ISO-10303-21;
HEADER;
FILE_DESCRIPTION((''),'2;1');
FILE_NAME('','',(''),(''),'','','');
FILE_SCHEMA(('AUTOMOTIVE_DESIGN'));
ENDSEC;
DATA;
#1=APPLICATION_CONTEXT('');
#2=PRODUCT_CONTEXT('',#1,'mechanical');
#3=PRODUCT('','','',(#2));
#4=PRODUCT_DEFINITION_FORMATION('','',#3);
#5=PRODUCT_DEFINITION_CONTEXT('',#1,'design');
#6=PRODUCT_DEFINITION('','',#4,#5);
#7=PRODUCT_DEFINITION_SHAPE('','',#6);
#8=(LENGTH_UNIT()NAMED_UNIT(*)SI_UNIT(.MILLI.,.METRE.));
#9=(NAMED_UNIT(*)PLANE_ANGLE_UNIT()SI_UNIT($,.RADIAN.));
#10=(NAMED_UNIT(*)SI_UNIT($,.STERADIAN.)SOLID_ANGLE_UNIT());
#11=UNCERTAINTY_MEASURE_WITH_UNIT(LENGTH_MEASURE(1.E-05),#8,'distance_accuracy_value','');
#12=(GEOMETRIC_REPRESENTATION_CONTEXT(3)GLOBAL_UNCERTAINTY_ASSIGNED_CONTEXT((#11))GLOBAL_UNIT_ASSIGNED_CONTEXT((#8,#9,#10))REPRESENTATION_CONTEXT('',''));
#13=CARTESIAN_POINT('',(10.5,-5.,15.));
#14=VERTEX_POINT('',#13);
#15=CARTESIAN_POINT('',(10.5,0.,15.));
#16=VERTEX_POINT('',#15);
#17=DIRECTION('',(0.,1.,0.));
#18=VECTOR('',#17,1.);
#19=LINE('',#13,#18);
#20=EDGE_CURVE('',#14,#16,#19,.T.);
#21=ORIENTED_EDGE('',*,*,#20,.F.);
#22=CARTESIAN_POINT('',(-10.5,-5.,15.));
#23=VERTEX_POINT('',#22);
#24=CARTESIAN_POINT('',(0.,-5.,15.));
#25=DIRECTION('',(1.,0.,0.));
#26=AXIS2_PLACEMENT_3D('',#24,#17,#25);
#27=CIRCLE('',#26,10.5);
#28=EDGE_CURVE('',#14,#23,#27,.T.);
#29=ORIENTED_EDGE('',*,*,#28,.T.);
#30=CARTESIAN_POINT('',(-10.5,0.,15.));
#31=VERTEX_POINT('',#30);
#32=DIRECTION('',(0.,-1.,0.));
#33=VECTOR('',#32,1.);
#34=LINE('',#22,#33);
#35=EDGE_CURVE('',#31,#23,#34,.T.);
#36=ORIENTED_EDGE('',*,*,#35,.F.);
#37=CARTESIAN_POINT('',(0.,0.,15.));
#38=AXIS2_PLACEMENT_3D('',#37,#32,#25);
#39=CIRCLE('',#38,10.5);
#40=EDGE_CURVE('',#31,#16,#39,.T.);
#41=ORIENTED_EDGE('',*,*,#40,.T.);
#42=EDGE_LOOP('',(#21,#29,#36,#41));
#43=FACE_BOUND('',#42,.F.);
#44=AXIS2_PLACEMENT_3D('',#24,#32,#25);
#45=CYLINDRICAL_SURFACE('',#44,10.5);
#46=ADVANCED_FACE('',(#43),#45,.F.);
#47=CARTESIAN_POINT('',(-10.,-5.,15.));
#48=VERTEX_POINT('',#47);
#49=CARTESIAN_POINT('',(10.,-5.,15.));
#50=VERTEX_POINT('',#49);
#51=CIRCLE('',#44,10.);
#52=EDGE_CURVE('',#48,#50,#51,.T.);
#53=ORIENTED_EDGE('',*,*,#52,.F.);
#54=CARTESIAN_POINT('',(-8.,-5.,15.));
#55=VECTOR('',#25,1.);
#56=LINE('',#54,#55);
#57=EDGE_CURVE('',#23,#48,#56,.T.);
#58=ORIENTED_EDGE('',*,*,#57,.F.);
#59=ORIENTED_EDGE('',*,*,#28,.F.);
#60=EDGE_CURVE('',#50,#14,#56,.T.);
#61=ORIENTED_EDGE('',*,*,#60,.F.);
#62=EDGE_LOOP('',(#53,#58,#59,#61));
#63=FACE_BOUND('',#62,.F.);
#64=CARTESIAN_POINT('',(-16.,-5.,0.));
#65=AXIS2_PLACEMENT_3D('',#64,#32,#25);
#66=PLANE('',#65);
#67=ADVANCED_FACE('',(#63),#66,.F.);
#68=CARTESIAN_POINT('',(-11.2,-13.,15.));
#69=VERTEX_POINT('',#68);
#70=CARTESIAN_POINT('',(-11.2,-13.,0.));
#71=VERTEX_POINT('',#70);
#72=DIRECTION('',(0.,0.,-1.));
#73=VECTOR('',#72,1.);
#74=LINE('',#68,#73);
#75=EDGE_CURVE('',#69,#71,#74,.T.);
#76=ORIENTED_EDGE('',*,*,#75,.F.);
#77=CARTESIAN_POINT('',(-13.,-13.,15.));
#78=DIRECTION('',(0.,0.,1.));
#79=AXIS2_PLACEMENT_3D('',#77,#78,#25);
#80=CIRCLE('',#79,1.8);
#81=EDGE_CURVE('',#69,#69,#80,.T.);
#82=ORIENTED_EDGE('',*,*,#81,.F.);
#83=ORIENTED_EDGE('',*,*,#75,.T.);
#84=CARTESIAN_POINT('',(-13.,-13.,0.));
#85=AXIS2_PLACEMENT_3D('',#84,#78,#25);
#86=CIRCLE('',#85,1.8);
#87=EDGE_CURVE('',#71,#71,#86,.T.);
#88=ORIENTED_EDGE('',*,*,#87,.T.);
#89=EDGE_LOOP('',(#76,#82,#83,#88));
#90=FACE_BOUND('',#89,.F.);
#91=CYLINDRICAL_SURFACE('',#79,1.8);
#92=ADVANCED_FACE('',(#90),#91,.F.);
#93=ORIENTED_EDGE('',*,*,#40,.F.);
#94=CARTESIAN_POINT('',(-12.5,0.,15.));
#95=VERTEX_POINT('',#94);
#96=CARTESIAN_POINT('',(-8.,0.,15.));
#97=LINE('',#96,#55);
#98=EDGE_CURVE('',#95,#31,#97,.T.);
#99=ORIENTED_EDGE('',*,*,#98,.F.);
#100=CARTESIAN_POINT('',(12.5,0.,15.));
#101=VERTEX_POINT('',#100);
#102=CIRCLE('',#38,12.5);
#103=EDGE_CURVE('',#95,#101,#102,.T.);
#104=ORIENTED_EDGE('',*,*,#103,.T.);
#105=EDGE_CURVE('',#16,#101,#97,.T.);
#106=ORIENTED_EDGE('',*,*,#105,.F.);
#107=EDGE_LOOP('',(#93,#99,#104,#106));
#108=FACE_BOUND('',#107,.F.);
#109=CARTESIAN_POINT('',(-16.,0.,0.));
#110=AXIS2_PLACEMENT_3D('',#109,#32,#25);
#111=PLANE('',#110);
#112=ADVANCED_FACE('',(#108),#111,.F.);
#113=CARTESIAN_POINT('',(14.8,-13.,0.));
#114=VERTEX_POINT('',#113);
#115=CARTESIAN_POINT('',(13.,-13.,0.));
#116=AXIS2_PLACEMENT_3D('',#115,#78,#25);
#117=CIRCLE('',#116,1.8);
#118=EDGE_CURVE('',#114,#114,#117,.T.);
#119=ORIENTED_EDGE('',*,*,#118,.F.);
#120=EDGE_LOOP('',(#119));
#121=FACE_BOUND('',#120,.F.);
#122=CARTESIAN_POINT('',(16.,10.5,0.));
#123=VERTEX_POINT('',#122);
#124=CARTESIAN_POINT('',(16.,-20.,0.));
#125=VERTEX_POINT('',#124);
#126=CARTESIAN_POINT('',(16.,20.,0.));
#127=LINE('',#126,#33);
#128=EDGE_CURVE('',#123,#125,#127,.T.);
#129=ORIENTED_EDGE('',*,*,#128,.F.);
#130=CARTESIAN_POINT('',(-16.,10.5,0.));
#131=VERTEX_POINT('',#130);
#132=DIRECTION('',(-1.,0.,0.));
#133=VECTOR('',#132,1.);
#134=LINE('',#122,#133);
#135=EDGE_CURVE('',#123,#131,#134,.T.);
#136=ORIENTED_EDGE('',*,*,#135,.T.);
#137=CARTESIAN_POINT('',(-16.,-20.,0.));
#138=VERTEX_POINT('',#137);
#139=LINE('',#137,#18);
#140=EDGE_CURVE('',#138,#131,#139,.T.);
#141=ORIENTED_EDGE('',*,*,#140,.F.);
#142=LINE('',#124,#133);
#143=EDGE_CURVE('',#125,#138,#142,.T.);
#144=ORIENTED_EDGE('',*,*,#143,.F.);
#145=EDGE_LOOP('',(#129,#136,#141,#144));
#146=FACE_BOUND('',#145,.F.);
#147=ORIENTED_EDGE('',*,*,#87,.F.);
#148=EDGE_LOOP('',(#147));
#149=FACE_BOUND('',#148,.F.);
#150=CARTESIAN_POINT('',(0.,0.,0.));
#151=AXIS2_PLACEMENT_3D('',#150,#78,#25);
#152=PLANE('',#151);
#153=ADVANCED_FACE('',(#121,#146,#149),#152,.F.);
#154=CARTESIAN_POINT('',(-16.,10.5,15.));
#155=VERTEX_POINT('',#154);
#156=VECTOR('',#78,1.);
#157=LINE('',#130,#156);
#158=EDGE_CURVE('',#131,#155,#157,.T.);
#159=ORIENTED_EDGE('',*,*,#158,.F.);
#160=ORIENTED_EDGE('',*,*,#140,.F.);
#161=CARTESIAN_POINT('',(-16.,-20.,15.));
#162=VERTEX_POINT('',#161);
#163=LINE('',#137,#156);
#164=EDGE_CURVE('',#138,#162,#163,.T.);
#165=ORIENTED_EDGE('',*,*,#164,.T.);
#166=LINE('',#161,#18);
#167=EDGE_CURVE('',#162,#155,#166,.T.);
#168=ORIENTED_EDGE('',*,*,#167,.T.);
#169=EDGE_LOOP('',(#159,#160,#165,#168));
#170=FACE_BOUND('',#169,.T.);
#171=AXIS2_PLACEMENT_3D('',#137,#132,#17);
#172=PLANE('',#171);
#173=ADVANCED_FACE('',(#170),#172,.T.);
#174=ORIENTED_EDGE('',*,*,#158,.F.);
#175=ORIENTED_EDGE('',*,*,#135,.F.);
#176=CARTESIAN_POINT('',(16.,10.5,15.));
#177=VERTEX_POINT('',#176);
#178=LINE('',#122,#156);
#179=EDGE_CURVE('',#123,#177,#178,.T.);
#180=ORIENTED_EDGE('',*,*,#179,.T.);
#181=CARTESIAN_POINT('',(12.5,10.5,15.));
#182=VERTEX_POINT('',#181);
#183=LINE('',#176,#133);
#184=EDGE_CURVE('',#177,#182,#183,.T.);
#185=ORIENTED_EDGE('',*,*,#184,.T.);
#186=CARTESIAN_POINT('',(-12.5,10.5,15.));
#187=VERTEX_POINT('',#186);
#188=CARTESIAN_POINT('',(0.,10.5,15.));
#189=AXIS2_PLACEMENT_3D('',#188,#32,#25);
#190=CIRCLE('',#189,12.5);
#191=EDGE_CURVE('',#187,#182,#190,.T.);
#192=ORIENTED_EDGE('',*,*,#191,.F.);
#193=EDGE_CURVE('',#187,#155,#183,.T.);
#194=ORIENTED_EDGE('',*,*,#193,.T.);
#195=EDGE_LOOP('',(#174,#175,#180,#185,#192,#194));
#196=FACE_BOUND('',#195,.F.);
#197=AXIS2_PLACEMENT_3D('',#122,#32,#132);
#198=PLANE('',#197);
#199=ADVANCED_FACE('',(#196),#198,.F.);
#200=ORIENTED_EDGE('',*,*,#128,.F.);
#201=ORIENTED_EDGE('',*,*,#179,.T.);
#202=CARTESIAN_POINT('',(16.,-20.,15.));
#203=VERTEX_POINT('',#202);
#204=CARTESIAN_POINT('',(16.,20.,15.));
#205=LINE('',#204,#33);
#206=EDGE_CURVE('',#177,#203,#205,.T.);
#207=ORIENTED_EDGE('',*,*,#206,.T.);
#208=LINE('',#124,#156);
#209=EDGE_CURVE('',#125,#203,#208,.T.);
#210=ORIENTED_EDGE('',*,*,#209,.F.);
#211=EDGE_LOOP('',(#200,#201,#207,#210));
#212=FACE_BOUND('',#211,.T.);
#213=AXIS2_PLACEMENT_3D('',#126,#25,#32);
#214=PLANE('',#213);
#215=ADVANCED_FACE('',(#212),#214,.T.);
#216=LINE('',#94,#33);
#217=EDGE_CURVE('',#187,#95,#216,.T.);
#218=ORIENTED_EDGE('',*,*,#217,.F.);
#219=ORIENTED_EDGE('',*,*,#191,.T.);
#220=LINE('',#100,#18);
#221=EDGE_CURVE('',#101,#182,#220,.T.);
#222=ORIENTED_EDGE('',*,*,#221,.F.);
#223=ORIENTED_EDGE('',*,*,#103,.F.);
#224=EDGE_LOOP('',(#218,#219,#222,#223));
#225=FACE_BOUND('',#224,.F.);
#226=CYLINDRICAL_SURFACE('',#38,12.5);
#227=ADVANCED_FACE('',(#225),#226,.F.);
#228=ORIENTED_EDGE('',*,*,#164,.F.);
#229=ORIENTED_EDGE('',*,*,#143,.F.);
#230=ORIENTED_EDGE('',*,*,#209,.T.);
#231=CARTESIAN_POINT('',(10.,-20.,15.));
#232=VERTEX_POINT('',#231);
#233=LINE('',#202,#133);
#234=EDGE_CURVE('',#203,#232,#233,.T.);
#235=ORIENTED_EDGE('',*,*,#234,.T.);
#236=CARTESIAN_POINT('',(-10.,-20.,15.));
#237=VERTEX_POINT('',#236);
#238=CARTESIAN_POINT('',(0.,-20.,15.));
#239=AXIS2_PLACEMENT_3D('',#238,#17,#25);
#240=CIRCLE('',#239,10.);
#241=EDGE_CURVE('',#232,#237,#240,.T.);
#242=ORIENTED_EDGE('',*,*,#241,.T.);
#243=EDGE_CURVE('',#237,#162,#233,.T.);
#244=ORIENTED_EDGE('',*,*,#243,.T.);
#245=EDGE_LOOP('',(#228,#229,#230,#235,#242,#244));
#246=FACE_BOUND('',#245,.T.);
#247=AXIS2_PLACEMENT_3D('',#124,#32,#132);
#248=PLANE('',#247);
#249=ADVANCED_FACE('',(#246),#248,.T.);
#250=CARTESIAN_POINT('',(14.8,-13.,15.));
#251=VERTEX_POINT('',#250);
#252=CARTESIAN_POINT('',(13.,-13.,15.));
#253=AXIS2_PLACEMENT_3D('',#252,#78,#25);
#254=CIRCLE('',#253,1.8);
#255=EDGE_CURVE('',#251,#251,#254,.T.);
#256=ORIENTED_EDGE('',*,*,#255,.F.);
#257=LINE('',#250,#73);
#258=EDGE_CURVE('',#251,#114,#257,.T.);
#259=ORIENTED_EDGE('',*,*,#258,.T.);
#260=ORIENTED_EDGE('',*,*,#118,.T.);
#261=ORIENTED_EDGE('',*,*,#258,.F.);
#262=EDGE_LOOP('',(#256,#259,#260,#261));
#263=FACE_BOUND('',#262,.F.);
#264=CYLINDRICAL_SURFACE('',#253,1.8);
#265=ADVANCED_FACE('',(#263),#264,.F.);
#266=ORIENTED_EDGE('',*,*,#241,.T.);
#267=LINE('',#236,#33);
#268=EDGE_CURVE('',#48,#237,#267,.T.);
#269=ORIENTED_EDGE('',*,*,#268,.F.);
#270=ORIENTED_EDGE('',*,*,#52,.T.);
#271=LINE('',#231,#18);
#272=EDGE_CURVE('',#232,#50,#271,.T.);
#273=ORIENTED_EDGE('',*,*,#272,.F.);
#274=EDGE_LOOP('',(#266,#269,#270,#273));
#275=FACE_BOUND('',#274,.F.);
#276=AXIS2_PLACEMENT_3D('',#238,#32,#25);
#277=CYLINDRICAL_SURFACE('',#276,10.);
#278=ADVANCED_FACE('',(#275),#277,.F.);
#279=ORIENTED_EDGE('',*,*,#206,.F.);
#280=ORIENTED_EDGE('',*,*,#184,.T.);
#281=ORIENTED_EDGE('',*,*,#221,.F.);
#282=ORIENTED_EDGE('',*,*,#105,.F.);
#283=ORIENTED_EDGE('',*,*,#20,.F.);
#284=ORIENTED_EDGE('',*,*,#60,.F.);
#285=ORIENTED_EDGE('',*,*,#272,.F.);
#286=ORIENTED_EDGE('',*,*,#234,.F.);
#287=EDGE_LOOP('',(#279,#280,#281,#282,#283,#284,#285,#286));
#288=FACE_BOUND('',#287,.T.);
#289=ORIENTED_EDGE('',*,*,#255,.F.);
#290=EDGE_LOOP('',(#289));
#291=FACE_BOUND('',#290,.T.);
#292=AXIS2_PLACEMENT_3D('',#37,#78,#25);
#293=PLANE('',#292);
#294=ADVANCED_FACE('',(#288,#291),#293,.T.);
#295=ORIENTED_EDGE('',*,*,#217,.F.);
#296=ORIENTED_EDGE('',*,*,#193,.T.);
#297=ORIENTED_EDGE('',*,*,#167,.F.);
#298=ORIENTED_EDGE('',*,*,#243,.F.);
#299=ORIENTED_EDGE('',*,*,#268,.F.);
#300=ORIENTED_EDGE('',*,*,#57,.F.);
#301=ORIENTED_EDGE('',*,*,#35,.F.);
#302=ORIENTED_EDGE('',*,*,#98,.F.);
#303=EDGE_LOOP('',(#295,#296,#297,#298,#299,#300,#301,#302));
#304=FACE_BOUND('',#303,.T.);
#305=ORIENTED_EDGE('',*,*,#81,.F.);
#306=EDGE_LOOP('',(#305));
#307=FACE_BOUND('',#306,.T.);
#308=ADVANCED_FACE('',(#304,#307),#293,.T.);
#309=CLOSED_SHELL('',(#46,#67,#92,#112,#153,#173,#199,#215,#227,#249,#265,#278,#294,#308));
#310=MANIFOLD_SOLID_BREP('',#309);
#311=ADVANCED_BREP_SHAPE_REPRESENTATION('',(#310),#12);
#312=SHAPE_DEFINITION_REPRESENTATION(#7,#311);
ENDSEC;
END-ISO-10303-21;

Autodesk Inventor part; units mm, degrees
ref_plane "YZ Plane" through (0, 0, 0) normal (1, 0, 0) x (0, 1, 0)
ref_plane "XZ Plane" through (0, 0, 0) normal (0, 1, 0) x (-1, 0, 0)
sketch "Skizze1" plane through (0, 0, 0) normal (0, 0, 1) x (1, 0, 0)
  line L0 (-16, 20) -> (16, 20)
  line L1 (16, 20) -> (16, -20)
  line L2 (16, -20) -> (-16, -20)
  line L3 (-16, -20) -> (-16, 20)
  line L4 (-16, 20) -> (16, -20) construction
  line L5 (16, 20) -> (-16, -20) construction
  point P0 (0, 0)
  dimension "d0" = 32
  dimension "d1" = 40
extrude "Extrusion1" add sketch "Skizze1" along normal blind 15
sketch "Skizze2" plane through (-16, -20, 0) normal (0, -1, 0) x (1, 0, 0)
  line L0 (0, 15) -> (32, 15) projected
  line L1 (0, 0) -> (0, 15) projected
  line L2 (32, 0) -> (0, 0) projected
  line L3 (32, 0) -> (32, 15) projected
  line L4 (32, 15) -> (0, 15) projected
  circle A0 centre (16, 15) radius 10
  point P0 (16, 0)
  dimension "d4" = 20
extrude "Extrusion2" cut sketch "Skizze2" against normal blind 15 contours A0 L0 | L0 A0
sketch "Skizze3" plane through (-16, -5, 0) normal (0, -1, 0) x (1, 0, 0)
  line L0 (0, 0) -> (0, 15) projected
  line L1 (32, 0) -> (0, 0) projected
  line L2 (32, 0) -> (32, 15) projected
  line L3 (26, 15) -> (32, 15) projected
  line L4 (0, 15) -> (6, 15) projected
  line L5 (6, 15) -> (26, 15) projected
  circle A0 centre (16, 15) radius 10.5
  point P0 (16, 0)
  dimension "d7" = 21
extrude "Extrusion3" cut sketch "Skizze3" against normal blind 5 contours A0 L3 L5 L4 | L4 L5 L3 A0
sketch "Skizze4" plane through (-16, 0, 0) normal (0, -1, 0) x (1, 0, 0)
  line L0 (5.5, 15) -> (26.5, 15) projected
  circle A0 centre (16, 15) radius 12.5
  point P0 (16, 0)
  dimension "d10" = 25
extrude "Extrusion4" cut sketch "Skizze4" against normal through all
sketch "Skizze5" plane through (0, 0, 15) normal (0, 0, 1) x (1, 0, 0)
  line L0 (-16, 20) -> (-16, -20) projected
  line L1 (-16, -20) -> (-10, -20) projected
  line L2 (-10, -20) -> (-10, -5) projected
  line L3 (10, -5) -> (10, -20) projected
  line L4 (10, -20) -> (16, -20) projected
  line L5 (16, -20) -> (16, 20) projected
  circle A0 centre (-13, -13) radius 1.8
  circle A1 centre (13, -13) radius 1.8
  point P0 (0, 0)
  dimension "d13" = 3.6
  dimension "d14" = 3.6
  dimension "d15" = 7
  dimension "d16" = 7
  dimension "d17" = 3
  dimension "d18" = 3
extrude "Extrusion5" cut sketch "Skizze5" against normal through all
sketch "Skizze6" plane through (0, 0, 0) normal (0, 0, 1) x (1, 0, 0)
  line L0 (16, 20) -> (16, -20) projected
  line L1 (-16, 20) -> (16, 20)
  line L2 (16, 20) -> (16, 10.5)
  line L3 (16, 10.5) -> (-16, 10.5)
  line L4 (-16, 10.5) -> (-16, 20)
  point P0 (0, 0)
  dimension "d21" = 9.5
extrude "Extrusion6" cut sketch "Skizze6" along normal blind 15
properties part number "5 Objektivhalterung oben 29112018"
